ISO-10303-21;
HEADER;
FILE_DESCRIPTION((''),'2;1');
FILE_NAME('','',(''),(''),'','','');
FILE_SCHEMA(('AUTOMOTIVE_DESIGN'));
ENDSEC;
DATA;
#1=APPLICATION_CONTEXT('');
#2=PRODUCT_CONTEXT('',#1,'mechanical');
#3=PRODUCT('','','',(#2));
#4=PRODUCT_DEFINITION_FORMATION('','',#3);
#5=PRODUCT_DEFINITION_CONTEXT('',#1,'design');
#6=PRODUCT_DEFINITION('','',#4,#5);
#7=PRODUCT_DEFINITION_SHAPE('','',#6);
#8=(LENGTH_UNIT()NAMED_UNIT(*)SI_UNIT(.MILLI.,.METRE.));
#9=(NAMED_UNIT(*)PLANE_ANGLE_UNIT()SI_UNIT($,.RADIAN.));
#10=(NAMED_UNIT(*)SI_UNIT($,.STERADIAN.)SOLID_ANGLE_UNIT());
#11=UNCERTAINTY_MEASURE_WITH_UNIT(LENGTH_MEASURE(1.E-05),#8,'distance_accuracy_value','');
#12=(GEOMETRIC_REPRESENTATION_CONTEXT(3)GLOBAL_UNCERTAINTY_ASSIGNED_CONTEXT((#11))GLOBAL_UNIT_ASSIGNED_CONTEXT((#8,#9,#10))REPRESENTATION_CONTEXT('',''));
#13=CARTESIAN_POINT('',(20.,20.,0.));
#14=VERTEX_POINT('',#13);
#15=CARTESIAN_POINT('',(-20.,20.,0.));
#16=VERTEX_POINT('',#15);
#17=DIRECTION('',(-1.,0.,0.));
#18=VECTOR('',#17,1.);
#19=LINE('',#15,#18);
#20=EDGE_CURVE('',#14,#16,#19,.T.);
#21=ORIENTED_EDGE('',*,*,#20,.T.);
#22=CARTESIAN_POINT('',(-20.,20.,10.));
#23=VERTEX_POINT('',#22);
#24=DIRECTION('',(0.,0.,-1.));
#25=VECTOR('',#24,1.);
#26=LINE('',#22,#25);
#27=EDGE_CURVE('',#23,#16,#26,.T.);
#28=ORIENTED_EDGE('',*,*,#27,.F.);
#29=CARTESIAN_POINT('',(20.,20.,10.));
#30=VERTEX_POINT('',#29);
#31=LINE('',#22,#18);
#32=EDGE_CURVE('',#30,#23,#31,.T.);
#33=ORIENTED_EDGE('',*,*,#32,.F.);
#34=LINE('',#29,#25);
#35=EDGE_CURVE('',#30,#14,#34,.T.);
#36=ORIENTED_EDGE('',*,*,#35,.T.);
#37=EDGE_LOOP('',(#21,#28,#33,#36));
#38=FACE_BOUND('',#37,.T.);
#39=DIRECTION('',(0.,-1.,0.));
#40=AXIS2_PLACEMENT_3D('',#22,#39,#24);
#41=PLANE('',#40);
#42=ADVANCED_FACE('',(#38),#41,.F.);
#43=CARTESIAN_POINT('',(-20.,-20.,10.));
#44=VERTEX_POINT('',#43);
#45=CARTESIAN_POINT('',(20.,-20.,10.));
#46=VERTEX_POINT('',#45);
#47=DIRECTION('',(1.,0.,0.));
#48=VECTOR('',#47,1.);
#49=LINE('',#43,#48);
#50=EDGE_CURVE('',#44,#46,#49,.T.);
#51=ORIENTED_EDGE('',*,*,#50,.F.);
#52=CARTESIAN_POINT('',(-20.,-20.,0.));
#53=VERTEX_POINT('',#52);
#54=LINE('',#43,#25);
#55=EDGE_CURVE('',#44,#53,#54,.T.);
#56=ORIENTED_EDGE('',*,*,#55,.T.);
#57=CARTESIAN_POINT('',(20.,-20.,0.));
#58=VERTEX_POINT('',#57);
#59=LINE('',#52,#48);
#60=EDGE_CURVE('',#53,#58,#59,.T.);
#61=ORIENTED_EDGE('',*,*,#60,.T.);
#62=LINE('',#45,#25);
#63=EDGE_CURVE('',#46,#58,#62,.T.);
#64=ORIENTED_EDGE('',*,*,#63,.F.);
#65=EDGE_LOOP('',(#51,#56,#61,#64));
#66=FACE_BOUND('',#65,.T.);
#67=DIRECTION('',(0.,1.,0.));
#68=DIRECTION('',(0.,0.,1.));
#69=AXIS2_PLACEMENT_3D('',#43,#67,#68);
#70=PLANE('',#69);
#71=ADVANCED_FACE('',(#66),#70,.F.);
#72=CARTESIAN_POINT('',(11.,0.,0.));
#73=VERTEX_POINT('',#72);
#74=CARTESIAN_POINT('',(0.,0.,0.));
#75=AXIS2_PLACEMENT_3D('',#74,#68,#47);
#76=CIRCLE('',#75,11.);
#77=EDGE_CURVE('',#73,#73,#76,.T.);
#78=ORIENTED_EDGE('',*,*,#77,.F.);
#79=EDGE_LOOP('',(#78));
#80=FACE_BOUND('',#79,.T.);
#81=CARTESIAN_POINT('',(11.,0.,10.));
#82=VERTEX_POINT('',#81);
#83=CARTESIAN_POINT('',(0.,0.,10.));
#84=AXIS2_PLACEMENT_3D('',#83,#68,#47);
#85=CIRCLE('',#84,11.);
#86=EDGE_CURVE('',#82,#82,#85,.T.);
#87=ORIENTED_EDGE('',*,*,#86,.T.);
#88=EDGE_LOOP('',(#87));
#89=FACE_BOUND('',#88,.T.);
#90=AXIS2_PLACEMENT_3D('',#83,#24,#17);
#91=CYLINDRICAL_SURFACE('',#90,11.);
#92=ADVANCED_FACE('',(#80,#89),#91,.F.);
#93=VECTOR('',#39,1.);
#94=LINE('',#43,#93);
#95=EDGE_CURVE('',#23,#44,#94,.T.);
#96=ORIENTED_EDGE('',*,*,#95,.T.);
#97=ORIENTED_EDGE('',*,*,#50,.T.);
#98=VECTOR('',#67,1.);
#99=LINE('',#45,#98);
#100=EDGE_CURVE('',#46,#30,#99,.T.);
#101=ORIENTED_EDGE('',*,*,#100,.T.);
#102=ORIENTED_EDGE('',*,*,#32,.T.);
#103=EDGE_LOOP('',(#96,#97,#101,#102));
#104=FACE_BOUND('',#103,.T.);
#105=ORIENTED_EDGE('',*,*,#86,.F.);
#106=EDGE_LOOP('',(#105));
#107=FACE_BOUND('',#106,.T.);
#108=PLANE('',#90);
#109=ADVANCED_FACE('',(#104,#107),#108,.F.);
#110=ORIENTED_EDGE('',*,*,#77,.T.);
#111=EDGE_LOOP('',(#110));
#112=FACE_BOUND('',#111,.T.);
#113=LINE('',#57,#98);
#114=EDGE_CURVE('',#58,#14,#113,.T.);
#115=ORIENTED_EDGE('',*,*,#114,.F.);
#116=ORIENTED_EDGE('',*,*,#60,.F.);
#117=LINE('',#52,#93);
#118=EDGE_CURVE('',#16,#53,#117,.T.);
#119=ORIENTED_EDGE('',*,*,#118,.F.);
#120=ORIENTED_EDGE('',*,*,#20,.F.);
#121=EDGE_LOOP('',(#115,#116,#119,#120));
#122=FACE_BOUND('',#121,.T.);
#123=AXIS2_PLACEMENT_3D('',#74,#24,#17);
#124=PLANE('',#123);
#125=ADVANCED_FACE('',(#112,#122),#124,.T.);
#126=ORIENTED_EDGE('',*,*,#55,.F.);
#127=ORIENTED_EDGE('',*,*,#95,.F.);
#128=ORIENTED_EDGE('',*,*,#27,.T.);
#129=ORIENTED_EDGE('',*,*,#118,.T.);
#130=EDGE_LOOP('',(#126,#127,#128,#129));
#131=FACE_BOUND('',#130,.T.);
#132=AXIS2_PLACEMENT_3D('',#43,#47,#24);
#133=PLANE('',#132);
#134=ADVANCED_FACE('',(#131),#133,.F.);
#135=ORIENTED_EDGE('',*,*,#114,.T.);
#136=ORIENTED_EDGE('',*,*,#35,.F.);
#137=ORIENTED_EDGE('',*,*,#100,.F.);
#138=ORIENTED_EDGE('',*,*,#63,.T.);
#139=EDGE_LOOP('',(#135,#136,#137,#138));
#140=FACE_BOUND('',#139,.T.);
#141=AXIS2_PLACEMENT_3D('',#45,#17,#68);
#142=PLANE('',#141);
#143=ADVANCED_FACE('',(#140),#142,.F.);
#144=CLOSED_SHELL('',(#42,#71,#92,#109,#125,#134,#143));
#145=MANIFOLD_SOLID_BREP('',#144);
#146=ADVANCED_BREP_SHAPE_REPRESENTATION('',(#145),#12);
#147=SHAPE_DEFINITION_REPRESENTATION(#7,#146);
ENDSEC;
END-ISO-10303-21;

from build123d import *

# Parameters (mm, degrees)
SKETCH1_W           = 40
SKETCH1_H           = 40
SKETCH1_R           = 11
BOSS_EXTRUDE1_DEPTH = 10


with BuildPart() as part:
    # Sketch1 → Boss-Extrude1 (new body)
    with BuildSketch(Plane.XY):
        Rectangle(SKETCH1_W, SKETCH1_H)
        Circle(SKETCH1_R, mode=Mode.SUBTRACT)
    extrude(amount=BOSS_EXTRUDE1_DEPTH)


solid = part.part
